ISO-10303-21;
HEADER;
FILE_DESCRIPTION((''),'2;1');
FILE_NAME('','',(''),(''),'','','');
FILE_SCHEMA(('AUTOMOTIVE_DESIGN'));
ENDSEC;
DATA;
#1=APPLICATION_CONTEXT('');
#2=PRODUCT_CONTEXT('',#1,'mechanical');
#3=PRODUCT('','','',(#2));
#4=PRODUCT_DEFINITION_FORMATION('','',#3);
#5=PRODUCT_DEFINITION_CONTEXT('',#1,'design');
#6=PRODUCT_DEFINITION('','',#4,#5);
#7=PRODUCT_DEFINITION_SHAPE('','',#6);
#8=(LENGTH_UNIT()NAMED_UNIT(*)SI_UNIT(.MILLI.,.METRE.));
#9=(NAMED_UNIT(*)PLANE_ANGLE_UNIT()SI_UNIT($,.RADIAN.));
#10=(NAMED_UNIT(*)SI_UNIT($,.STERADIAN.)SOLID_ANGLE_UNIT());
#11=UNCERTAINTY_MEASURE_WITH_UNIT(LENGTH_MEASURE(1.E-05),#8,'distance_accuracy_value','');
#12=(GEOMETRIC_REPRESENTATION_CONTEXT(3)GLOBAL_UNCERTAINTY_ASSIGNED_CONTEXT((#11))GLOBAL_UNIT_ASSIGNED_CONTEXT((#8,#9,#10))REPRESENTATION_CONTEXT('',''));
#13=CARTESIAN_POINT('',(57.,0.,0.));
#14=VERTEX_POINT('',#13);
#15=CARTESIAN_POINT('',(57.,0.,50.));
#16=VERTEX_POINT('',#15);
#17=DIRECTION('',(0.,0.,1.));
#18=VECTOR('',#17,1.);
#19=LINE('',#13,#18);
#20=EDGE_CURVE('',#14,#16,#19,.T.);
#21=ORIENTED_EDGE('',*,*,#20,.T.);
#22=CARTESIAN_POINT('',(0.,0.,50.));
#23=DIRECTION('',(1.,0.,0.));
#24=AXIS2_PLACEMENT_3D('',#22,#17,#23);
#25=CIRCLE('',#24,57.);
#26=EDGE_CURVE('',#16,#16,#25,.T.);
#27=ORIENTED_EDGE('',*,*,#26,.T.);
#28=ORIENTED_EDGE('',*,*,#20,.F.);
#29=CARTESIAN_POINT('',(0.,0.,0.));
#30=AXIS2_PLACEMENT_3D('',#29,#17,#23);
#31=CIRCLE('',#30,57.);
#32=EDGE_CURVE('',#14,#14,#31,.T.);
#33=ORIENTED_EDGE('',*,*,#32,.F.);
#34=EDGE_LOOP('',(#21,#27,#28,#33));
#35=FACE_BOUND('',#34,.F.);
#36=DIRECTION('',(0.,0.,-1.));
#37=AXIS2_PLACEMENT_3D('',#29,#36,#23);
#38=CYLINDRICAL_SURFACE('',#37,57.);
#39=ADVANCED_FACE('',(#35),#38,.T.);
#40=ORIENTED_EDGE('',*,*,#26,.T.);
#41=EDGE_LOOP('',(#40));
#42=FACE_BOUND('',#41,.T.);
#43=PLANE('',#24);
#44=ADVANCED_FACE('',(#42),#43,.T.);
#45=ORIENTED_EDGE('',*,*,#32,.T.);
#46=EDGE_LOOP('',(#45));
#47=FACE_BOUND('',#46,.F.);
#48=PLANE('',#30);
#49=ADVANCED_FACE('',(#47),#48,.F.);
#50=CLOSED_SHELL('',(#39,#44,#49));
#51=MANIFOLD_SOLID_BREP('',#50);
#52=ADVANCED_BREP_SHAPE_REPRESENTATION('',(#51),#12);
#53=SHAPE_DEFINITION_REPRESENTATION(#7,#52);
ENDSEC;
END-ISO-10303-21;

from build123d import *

# Parameters (mm, degrees)
SKETCH_R      = 57
EXTRUDE_DEPTH = 50


with BuildPart() as part:
    # Sketch → Extrude (new body)
    with BuildSketch(Plane.XY):
        Circle(SKETCH_R)
    extrude(amount=EXTRUDE_DEPTH)


solid = part.part
